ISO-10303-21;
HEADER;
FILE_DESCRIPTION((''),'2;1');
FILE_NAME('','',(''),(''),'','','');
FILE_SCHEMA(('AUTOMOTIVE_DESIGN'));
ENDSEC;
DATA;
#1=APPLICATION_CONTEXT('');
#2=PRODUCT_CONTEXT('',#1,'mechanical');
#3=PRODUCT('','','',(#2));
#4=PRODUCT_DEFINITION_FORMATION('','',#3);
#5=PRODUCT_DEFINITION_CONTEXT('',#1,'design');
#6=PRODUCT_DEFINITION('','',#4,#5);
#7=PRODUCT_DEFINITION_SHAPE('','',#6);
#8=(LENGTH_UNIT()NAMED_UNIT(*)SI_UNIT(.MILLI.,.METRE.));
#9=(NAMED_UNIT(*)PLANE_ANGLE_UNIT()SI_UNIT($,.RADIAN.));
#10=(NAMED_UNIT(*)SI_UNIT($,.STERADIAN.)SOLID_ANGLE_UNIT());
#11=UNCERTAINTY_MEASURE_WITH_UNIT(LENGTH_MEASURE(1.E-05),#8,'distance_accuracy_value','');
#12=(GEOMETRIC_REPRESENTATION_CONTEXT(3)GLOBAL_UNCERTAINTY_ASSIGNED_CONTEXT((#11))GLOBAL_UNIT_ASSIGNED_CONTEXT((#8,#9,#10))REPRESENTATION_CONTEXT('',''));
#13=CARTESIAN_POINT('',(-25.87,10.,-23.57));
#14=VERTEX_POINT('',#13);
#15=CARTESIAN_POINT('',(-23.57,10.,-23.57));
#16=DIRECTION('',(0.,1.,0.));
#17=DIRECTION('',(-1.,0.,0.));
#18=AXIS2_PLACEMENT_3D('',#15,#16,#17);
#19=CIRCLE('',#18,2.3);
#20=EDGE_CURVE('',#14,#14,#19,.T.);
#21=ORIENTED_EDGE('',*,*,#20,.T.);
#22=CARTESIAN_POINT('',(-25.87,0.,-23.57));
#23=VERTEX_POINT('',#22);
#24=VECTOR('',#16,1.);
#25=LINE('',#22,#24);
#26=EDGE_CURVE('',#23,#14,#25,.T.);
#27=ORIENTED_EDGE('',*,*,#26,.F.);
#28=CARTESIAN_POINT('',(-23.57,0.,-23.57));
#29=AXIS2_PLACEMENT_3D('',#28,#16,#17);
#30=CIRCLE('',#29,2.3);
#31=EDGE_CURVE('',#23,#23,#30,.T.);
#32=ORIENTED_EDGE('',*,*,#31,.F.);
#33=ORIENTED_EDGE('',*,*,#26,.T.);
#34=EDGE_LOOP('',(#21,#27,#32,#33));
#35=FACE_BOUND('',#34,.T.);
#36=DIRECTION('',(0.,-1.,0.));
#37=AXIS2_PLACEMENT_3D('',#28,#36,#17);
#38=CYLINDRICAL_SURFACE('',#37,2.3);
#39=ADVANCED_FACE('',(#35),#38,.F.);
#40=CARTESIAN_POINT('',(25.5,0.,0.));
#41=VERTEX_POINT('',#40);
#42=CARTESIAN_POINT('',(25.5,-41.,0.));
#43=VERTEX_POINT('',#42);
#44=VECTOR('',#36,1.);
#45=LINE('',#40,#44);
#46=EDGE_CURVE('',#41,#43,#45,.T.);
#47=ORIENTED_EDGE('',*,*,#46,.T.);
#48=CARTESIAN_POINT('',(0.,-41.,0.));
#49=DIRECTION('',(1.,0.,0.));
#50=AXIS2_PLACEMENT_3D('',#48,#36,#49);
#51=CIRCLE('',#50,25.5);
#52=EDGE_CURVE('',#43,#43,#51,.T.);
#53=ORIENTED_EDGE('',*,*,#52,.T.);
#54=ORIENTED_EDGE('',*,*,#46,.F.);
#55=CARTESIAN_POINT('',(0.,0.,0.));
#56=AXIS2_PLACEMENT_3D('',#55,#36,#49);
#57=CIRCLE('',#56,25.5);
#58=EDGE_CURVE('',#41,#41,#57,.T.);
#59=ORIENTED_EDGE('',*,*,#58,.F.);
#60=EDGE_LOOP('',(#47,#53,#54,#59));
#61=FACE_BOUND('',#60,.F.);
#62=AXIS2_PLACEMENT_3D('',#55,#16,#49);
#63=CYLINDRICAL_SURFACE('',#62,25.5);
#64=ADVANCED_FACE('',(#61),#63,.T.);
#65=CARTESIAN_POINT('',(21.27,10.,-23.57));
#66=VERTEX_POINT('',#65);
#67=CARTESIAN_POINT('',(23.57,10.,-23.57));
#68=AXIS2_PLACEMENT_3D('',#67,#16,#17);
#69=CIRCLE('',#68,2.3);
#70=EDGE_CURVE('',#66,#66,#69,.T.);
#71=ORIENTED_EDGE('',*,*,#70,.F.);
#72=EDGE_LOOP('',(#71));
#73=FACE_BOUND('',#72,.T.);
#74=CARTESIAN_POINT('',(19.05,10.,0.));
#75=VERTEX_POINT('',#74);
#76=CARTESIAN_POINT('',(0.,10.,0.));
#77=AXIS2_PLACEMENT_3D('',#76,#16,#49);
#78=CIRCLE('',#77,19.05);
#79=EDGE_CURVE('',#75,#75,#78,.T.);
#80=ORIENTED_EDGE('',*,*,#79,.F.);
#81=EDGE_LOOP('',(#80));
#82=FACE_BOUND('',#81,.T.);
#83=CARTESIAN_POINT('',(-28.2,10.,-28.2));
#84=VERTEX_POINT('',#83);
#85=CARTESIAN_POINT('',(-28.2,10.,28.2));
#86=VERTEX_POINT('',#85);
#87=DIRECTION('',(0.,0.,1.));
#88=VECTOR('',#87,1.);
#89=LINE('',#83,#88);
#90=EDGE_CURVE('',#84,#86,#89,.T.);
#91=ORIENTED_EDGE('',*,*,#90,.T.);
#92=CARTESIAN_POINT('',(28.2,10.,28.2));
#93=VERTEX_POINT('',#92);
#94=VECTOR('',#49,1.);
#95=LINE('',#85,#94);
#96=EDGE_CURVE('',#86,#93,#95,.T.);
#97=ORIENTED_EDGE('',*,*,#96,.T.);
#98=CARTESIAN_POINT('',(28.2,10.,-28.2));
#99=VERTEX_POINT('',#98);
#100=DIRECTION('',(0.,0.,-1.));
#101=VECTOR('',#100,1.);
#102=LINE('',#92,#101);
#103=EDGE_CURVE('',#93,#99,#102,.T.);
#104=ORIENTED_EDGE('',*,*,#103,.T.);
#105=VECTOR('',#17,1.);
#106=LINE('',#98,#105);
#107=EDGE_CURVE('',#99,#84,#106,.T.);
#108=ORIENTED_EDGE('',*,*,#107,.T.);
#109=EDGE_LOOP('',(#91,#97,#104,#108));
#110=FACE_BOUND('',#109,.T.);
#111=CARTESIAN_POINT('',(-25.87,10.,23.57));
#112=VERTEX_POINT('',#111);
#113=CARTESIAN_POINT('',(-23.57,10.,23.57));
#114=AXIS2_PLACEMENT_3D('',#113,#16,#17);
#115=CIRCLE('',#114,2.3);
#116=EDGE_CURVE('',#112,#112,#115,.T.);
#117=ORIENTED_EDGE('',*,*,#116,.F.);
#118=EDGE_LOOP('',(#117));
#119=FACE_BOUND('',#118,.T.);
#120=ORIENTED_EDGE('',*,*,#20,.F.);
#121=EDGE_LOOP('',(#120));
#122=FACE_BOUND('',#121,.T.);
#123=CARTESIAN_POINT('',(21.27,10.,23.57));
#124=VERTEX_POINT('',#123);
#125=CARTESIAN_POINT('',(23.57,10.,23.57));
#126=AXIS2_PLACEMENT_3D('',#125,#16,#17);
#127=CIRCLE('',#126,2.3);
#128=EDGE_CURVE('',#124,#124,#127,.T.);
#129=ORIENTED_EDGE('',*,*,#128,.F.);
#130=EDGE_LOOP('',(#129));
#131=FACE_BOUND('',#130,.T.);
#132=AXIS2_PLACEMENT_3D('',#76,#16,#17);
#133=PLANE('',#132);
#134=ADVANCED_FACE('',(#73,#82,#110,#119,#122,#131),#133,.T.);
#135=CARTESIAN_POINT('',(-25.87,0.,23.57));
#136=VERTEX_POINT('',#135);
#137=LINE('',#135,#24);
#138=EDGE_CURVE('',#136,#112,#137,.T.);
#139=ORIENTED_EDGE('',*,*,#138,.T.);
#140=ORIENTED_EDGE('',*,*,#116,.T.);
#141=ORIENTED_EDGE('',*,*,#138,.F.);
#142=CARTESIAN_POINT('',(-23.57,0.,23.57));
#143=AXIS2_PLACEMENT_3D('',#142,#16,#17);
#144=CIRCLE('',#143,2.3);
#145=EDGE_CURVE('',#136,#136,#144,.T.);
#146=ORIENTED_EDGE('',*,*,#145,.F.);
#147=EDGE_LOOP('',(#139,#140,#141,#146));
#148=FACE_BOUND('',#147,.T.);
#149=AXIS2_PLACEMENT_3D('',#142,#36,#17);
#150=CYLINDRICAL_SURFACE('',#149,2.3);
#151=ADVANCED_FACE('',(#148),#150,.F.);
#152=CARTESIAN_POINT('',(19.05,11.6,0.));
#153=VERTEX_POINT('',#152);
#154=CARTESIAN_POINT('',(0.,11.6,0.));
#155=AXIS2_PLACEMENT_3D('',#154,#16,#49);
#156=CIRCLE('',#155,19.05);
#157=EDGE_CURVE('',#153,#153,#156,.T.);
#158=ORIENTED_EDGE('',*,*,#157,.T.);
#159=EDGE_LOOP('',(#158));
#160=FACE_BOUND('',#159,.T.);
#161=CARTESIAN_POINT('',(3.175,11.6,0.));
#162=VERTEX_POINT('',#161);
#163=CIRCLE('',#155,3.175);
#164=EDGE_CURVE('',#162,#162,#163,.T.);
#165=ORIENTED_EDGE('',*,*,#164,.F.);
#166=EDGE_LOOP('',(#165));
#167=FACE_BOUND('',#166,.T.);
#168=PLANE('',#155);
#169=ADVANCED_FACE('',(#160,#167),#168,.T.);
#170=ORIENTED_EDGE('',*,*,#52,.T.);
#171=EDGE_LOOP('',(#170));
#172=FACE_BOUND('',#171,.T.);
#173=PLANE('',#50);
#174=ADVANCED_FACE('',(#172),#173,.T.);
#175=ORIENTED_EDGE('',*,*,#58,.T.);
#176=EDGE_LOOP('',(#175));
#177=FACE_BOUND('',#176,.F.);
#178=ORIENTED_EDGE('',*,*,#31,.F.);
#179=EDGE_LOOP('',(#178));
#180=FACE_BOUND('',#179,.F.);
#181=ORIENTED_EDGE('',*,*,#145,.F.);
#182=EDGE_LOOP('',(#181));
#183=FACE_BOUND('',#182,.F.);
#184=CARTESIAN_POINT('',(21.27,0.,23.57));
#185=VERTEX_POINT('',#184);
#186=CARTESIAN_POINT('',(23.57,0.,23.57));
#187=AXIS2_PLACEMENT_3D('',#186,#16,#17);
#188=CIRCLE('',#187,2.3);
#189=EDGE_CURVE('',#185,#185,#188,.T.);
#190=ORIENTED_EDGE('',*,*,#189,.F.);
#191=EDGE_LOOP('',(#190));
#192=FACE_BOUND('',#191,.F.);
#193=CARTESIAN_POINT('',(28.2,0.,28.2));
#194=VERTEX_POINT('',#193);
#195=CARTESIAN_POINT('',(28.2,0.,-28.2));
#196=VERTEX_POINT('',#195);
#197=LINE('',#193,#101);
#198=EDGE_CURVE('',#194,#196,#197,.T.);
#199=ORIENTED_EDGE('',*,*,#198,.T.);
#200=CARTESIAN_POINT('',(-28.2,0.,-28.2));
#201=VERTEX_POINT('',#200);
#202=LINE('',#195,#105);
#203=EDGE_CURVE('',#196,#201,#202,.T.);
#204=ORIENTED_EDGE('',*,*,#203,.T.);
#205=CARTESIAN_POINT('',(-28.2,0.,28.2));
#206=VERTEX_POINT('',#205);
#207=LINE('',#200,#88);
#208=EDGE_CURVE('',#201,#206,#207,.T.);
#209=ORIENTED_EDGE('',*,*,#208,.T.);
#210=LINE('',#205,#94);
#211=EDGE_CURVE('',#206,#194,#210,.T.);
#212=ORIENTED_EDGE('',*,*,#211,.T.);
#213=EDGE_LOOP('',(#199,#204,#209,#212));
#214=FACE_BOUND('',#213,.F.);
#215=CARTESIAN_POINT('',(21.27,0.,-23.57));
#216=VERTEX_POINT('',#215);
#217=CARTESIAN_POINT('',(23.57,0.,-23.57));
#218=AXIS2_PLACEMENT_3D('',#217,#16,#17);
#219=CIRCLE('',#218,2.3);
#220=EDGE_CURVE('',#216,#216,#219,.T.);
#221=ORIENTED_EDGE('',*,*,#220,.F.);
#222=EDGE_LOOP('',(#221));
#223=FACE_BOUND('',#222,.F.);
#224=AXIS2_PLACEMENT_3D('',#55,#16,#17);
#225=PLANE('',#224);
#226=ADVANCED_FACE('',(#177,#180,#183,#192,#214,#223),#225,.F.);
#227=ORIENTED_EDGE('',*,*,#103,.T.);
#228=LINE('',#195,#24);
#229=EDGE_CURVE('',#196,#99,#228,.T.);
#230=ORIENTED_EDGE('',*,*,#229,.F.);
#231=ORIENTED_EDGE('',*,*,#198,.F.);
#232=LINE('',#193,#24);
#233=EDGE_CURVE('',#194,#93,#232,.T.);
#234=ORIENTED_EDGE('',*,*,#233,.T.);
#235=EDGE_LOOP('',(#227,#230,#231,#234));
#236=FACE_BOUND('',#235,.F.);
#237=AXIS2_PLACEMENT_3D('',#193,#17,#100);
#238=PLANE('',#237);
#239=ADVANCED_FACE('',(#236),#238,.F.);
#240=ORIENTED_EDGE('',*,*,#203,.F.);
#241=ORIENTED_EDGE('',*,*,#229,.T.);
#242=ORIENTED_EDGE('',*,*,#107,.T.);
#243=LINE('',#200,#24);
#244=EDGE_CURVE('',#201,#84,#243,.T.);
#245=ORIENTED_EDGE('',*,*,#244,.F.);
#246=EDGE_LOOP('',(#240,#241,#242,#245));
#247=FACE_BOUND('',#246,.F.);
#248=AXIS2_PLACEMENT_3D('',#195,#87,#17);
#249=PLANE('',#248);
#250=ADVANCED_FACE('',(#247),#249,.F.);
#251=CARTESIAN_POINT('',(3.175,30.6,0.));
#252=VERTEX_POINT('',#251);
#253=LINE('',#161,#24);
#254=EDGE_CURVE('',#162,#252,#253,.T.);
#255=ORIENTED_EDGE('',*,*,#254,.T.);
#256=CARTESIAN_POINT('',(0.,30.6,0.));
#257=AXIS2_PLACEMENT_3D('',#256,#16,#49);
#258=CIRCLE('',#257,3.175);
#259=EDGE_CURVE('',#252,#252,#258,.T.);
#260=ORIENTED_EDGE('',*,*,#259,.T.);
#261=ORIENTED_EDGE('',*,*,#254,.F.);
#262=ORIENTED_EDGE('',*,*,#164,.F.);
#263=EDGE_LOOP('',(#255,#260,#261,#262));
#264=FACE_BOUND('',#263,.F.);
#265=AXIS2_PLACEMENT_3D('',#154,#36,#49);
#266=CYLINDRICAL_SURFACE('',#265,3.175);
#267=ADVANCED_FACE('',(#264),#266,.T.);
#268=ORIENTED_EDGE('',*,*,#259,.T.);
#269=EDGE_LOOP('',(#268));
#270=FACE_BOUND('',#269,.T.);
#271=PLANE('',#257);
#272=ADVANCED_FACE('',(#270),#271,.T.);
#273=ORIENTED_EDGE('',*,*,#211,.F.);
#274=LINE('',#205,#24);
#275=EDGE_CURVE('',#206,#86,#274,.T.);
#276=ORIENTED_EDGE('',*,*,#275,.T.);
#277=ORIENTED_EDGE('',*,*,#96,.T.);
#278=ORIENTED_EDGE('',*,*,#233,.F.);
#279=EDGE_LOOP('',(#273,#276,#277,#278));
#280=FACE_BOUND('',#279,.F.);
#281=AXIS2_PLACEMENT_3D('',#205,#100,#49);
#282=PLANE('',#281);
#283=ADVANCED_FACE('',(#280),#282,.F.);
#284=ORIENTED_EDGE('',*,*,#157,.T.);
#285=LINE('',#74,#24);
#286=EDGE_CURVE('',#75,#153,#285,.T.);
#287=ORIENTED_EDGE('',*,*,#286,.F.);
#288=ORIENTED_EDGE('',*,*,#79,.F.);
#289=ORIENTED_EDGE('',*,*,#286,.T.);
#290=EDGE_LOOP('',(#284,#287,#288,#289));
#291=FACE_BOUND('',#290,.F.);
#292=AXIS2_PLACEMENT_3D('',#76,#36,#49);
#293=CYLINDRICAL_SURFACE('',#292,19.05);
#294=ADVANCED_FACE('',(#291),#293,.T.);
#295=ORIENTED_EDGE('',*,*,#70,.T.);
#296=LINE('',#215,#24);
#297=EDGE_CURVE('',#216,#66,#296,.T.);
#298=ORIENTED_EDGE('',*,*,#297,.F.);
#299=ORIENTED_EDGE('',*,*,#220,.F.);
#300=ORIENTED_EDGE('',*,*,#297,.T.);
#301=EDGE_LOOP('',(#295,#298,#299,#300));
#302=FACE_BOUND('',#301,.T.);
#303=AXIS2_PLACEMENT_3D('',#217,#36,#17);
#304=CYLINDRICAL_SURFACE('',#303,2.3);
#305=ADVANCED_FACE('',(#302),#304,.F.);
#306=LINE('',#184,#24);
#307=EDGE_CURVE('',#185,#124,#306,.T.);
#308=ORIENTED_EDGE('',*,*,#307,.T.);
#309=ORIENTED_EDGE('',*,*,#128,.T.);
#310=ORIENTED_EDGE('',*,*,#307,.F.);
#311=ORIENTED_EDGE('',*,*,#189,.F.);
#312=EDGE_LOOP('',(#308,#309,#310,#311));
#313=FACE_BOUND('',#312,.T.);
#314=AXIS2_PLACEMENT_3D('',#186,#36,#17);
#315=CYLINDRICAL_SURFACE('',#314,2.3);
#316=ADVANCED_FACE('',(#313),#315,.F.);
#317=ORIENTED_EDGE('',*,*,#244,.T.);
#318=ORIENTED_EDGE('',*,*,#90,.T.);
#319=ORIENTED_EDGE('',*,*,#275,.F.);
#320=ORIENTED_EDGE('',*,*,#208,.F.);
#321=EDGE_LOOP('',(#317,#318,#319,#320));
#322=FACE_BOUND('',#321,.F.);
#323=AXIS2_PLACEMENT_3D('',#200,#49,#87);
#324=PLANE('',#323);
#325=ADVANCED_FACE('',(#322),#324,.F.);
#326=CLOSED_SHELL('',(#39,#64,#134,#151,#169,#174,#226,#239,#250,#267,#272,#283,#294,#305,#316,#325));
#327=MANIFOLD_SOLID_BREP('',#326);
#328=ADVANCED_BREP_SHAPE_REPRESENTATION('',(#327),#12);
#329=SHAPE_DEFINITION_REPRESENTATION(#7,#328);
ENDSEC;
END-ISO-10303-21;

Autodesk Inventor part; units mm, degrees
ref_plane "YZ Plane" through (0, 0, 0) normal (1, 0, 0) x (0, 1, 0)
ref_plane "XZ Plane" through (0, 0, 0) normal (0, 1, 0) x (-1, 0, 0)
ref_plane "XY Plane" through (0, 0, 0) normal (0, 0, 1) x (1, 0, 0)
sketch "Sketch1" plane through (0, 0, 0) normal (0, 1, 0) x (-1, 0, 0)
  line L0 (28.2, 28.2) -> (-28.2, 28.2)
  line L1 (-28.2, 28.2) -> (-28.2, -28.2)
  line L2 (-28.2, -28.2) -> (28.2, -28.2)
  line L3 (28.2, -28.2) -> (28.2, 28.2)
  line L4 (28.2, 28.2) -> (-28.2, -28.2) construction
  line L5 (-28.2, 28.2) -> (28.2, -28.2) construction
  line L6 (0, 28.2) -> (0, -28.2) construction
  line L7 (28.2, 0) -> (-28.2, 0) construction
  circle A0 centre (23.57, 23.57) radius 2.3
  circle A1 centre (23.57, -23.57) radius 2.3
  circle A2 centre (-23.57, 23.57) radius 2.3
  circle A3 centre (-23.57, -23.57) radius 2.3
  point P0 (0, 0)
  dimension "d0" = 56.4
  dimension "d1" = 56.4
  dimension "d2" = 4.6
  dimension "d5" = 47.14
  dimension "d6" = 47.14
extrude "Extrusion1" add sketch "Sketch1" along normal blind 10
sketch "Sketch2" plane through (0, 0, 0) normal (0, -1, 0) x (1, 0, 0)
  circle A0 centre (0, 0) radius 25.5
  dimension "d9" = 51
extrude "Extrusion2" add sketch "Sketch2" along normal blind 41
sketch "Sketch3" plane through (0, 10, 0) normal (0, 1, 0) x (1, 0, 0)
  circle A0 centre (0, 0) radius 19.05
  dimension "d12" = 38.1
extrude "Extrusion3" add sketch "Sketch3" along normal blind 1.6
sketch "Sketch4" plane through (0, 11.6, 0) normal (0, 1, 0) x (1, 0, 0)
  circle A0 centre (0, 0) radius 3.175
  dimension "d15" = 6.35
extrude "Extrusion4" add sketch "Sketch4" along normal blind 19
properties part number "Motor model"
